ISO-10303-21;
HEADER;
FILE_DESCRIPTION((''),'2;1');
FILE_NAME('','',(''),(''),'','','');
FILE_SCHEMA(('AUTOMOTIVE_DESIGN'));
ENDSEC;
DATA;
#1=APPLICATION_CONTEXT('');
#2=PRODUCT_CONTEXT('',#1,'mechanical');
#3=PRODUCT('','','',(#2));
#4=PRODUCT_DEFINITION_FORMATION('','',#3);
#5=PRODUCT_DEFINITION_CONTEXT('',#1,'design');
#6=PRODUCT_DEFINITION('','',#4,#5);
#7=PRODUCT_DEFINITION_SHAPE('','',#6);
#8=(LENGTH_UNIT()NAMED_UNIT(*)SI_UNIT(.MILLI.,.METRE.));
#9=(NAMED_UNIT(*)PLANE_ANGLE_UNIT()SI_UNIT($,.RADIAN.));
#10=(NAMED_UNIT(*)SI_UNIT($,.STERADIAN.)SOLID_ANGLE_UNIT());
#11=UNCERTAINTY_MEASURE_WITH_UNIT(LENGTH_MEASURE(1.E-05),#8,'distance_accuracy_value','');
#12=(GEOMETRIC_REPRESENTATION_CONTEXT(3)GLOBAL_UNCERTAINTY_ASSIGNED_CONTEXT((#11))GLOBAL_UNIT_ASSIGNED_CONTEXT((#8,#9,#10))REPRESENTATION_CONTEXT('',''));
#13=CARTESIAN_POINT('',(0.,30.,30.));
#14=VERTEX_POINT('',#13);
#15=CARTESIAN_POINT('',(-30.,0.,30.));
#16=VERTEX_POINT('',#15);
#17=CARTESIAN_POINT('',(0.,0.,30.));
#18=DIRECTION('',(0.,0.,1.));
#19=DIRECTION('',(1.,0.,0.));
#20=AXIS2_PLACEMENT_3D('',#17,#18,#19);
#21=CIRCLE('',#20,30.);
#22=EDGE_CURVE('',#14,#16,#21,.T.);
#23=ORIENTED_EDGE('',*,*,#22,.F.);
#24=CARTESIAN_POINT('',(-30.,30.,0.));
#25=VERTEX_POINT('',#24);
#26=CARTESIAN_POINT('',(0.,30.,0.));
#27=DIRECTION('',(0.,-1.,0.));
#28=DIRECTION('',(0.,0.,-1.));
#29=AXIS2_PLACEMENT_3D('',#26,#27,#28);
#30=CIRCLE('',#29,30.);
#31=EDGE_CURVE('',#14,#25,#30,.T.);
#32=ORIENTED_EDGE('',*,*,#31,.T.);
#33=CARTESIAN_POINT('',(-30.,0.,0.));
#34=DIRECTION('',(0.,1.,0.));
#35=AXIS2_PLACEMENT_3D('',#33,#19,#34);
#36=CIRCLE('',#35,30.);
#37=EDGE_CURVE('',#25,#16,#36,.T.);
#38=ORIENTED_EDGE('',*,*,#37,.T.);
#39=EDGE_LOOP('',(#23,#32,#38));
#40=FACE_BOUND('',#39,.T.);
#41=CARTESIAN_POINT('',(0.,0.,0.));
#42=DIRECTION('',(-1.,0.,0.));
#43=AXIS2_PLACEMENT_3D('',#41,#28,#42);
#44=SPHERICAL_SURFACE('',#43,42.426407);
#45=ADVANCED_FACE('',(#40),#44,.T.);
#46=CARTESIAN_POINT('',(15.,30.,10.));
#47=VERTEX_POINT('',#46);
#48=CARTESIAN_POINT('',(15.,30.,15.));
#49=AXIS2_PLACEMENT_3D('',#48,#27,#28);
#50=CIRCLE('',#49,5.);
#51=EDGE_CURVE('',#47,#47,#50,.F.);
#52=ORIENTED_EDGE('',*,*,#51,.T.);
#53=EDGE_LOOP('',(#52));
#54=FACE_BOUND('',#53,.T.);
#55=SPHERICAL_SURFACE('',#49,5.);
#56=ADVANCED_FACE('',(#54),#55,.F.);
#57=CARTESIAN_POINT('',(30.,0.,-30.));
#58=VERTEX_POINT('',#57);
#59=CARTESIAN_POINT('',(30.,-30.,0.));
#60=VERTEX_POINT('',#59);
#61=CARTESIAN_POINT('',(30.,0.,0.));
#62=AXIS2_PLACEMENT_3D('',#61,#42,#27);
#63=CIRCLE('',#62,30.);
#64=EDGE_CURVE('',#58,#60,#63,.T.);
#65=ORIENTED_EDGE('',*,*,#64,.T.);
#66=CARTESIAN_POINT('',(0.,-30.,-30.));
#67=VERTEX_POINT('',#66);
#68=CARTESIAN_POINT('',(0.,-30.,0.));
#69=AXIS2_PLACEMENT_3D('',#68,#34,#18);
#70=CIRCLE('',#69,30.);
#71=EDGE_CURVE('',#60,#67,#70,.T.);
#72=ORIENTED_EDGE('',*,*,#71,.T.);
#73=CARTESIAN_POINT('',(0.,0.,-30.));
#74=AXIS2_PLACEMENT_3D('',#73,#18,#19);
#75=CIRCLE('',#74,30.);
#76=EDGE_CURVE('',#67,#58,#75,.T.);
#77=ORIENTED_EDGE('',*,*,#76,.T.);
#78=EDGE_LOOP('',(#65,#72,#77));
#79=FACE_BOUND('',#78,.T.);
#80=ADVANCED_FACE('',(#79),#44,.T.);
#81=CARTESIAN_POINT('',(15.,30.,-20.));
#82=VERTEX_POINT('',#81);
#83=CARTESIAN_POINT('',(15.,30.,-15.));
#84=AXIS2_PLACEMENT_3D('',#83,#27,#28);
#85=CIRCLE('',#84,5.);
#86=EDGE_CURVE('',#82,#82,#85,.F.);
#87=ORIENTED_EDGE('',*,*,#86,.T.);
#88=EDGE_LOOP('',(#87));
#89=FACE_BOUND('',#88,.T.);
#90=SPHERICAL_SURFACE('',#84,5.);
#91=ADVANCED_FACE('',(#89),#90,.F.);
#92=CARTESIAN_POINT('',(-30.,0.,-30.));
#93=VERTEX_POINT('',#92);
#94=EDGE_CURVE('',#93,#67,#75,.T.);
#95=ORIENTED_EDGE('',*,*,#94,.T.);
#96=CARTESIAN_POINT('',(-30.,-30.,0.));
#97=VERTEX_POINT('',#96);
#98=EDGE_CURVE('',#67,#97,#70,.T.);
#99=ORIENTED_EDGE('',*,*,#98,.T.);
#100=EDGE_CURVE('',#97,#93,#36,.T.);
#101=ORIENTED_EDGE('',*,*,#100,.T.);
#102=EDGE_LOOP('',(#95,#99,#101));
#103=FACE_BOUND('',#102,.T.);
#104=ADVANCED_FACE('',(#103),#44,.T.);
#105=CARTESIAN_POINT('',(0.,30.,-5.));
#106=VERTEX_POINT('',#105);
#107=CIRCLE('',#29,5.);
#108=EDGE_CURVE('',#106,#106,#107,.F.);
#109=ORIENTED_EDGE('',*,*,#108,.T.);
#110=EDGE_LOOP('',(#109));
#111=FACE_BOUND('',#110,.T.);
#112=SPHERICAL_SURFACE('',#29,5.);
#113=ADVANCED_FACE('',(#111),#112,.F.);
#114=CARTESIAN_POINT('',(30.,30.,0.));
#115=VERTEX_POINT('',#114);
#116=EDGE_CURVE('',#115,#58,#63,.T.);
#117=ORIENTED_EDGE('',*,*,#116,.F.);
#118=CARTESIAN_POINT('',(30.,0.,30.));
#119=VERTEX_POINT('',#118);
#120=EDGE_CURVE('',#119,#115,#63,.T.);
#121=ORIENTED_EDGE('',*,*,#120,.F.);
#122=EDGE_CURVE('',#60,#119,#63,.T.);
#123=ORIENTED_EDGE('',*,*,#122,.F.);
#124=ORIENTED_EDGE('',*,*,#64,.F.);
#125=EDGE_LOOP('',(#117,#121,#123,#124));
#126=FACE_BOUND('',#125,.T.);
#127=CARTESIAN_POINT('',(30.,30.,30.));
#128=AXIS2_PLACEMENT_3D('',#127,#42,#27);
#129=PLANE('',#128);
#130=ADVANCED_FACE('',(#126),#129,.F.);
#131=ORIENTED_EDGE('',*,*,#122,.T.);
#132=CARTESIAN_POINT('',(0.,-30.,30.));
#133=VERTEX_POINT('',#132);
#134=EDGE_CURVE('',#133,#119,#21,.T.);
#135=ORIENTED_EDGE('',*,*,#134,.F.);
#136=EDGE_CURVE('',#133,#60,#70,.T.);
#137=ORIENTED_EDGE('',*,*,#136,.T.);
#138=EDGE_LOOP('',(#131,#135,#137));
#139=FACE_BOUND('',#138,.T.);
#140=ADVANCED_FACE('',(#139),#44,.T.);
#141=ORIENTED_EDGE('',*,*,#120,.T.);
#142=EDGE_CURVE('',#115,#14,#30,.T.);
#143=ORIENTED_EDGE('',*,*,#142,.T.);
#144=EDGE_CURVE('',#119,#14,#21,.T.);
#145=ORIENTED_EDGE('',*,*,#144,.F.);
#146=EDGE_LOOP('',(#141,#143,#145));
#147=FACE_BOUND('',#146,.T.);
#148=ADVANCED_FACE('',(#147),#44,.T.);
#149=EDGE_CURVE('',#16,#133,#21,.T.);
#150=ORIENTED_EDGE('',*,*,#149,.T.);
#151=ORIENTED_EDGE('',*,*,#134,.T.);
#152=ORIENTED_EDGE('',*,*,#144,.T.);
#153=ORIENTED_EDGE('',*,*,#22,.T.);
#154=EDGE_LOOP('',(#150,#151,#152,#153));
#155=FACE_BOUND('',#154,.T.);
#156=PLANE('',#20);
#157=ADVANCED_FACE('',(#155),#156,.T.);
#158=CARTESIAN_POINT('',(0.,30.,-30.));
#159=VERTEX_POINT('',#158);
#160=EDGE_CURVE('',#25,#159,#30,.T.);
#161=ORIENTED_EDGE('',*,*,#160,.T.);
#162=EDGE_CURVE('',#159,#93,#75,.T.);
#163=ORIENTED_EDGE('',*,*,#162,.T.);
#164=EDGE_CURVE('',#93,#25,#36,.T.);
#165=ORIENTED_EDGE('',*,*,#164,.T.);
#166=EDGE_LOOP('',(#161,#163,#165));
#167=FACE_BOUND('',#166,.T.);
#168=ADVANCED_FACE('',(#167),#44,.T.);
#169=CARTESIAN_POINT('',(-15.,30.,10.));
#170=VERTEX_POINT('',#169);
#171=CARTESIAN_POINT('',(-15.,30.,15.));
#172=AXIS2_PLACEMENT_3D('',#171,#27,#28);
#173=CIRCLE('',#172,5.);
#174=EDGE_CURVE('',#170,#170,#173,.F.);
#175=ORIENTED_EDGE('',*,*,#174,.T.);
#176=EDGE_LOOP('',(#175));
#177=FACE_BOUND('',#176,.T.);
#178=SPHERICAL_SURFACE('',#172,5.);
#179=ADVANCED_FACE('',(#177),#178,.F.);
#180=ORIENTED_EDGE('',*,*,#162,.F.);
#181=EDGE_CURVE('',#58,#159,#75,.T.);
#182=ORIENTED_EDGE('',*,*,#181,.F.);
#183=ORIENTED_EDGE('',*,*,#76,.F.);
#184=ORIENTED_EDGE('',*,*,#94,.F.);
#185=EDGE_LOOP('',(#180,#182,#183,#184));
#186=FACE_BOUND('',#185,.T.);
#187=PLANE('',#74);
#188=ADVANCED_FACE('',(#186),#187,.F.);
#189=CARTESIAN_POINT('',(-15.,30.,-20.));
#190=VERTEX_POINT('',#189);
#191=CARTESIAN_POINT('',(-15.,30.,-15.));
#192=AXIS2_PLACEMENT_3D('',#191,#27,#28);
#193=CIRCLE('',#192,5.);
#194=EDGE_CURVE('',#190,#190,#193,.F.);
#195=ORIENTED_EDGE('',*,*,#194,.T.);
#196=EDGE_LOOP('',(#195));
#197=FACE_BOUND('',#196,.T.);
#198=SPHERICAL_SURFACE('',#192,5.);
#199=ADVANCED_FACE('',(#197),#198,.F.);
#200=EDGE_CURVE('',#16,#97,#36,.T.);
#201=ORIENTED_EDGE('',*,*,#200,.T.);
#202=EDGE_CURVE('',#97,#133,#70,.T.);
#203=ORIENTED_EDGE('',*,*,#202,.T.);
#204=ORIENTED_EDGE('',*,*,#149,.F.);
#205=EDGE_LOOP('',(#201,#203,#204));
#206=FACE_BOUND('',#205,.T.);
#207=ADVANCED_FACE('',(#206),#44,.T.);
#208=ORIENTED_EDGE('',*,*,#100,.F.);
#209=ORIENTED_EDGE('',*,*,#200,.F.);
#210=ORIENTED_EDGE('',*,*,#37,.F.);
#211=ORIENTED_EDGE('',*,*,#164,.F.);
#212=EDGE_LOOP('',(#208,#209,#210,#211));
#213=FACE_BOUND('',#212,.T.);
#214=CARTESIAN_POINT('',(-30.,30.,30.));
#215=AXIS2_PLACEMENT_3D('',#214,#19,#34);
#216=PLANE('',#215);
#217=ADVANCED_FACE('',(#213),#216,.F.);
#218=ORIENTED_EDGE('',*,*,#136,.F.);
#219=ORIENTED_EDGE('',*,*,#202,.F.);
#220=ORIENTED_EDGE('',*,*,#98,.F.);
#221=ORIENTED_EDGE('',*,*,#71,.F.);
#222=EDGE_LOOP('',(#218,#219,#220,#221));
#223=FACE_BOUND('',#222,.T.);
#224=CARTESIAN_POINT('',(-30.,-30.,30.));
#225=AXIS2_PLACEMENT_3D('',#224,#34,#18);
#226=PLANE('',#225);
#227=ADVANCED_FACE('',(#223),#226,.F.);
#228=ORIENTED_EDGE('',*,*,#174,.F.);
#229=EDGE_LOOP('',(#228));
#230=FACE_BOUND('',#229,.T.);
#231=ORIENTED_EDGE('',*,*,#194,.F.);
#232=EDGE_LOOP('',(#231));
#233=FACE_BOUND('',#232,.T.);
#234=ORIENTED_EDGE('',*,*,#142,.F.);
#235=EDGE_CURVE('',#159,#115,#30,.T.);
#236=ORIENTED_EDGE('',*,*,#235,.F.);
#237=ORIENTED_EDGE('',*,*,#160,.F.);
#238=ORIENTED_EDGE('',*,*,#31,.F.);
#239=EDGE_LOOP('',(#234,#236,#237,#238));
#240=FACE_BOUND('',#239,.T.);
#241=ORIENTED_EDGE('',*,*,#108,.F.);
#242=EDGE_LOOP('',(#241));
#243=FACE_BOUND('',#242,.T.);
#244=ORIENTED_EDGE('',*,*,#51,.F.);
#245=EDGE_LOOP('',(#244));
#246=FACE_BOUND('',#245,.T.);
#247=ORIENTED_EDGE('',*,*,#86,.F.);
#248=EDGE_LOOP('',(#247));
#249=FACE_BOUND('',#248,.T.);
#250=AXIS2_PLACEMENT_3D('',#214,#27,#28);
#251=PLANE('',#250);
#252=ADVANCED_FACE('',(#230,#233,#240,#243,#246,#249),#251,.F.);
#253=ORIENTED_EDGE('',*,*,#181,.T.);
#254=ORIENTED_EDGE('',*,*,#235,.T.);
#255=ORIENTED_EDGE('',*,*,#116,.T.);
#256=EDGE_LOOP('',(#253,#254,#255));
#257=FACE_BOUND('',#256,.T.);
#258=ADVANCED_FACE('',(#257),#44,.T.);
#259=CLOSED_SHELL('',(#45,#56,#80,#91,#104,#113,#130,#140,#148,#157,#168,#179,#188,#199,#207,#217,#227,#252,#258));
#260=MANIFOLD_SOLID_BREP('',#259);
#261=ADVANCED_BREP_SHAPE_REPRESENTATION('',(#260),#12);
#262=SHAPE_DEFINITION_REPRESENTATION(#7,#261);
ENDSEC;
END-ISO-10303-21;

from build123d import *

# Parameters (mm, degrees)
SKETCH1_W            = 60
SKETCH1_H            = 60
BOSS_EXTRUDE1_DEPTH  = 30
LPATTERN2_COUNT      = 3
LPATTERN2_PITCH      = 15
LPATTERN2_COUNT_DIR2 = 3
LPATTERN2_PITCH_DIR2 = 15


with BuildPart() as part:
    # Sketch1 → Boss-Extrude1 (new body, symmetric)
    with BuildSketch(Plane.XY):
        Rectangle(SKETCH1_W, SKETCH1_H)
    extrude(amount=BOSS_EXTRUDE1_DEPTH, both=True)

    # Sketch3 → Cut-Revolve1 (revolve, cut)
    with BuildSketch(Plane(origin=(0, 0, 0), x_dir=(1, 0, 0), z_dir=(0, 1, 0))):
        with BuildLine():
            Line((0, -50), (62, -50))
            Line((62, -50), (62, 50))
            Line((62, 50), (0, 50))
            Line((0, 50), (0, 42.426406871))
            ThreePointArc((0, 42.426406871), (42.426406871, 0), (0, -42.426406871))
            Line((0, -42.426406871), (0, -50))
        make_face()
    revolve(axis=Axis((0, 0, -60.912631334), (0, 0, 1)), mode=Mode.SUBTRACT)

    # Sketch4 → Cut-Revolve2 (revolve, cut)
    with BuildSketch(Plane(origin=(0, 30, 0), x_dir=(1, 0, 0), z_dir=(0, 1, 0))):
        with BuildLine():
            Line((-15, -10), (-15, -20))
            ThreePointArc((-15, -20), (-10, -15), (-15, -10))
        make_face()
    cut_revolve2 = revolve(axis=Axis((-15, 30, 10), (0, 0, 1)), mode=Mode.SUBTRACT)

    # LPattern2: Cut-Revolve2 3 × 3, 4 skipped
    with Locations(*[(j * LPATTERN2_PITCH_DIR2, 0, -i * LPATTERN2_PITCH) for i in range(LPATTERN2_COUNT) for j in range(LPATTERN2_COUNT_DIR2) if (i, j) not in ((0, 0), (0, 1), (1, 0), (1, 2), (2, 1))]):
        add(cut_revolve2, mode=Mode.SUBTRACT)


solid = part.part
